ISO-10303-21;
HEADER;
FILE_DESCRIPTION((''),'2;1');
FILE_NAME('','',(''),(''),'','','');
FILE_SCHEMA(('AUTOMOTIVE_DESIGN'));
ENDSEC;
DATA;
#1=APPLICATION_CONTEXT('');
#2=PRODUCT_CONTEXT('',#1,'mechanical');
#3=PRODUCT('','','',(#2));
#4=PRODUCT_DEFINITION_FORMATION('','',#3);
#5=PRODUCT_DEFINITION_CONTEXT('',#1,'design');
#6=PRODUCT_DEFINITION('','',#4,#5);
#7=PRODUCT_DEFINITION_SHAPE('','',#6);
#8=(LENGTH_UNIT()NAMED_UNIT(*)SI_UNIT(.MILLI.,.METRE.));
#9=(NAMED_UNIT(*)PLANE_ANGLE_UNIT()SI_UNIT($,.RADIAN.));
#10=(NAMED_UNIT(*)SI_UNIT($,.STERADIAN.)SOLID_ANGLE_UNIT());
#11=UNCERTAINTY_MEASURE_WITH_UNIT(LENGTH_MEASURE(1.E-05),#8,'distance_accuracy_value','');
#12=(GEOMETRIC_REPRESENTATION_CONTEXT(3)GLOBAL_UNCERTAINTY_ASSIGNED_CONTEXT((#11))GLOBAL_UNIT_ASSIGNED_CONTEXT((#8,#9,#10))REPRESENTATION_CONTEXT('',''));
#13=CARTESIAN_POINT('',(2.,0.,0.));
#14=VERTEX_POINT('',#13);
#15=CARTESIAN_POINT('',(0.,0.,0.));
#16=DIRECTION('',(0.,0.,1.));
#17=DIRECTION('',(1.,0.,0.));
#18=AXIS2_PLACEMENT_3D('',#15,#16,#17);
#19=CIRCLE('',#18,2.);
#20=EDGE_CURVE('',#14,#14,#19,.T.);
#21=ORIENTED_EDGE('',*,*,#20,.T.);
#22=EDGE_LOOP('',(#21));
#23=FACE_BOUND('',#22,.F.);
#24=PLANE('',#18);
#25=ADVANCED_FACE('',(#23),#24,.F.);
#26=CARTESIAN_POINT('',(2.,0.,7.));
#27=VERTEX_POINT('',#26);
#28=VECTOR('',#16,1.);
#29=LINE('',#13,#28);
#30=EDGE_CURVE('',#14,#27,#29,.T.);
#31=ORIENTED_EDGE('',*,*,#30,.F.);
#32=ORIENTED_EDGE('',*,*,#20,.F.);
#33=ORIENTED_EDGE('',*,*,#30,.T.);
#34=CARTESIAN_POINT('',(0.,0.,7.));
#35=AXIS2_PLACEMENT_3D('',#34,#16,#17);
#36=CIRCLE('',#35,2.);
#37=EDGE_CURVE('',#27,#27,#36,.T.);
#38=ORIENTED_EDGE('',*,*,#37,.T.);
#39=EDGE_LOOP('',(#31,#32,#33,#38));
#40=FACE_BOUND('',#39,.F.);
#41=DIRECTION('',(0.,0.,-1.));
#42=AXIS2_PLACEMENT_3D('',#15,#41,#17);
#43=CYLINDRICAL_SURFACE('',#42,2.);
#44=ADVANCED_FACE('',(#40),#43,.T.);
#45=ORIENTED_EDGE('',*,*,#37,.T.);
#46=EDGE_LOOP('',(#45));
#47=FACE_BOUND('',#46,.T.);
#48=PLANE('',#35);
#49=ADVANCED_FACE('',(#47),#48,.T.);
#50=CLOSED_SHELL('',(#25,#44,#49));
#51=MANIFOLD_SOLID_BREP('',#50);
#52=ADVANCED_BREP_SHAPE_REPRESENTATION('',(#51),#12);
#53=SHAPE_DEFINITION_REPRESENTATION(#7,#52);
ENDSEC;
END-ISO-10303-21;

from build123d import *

# Parameters (mm, degrees)
SKETCH_R  = 2
PAD_DEPTH = 7


with BuildPart() as part:
    # Sketch → Pad (new body)
    with BuildSketch(Plane.XY):
        Circle(SKETCH_R)
    extrude(amount=PAD_DEPTH)


solid = part.part
